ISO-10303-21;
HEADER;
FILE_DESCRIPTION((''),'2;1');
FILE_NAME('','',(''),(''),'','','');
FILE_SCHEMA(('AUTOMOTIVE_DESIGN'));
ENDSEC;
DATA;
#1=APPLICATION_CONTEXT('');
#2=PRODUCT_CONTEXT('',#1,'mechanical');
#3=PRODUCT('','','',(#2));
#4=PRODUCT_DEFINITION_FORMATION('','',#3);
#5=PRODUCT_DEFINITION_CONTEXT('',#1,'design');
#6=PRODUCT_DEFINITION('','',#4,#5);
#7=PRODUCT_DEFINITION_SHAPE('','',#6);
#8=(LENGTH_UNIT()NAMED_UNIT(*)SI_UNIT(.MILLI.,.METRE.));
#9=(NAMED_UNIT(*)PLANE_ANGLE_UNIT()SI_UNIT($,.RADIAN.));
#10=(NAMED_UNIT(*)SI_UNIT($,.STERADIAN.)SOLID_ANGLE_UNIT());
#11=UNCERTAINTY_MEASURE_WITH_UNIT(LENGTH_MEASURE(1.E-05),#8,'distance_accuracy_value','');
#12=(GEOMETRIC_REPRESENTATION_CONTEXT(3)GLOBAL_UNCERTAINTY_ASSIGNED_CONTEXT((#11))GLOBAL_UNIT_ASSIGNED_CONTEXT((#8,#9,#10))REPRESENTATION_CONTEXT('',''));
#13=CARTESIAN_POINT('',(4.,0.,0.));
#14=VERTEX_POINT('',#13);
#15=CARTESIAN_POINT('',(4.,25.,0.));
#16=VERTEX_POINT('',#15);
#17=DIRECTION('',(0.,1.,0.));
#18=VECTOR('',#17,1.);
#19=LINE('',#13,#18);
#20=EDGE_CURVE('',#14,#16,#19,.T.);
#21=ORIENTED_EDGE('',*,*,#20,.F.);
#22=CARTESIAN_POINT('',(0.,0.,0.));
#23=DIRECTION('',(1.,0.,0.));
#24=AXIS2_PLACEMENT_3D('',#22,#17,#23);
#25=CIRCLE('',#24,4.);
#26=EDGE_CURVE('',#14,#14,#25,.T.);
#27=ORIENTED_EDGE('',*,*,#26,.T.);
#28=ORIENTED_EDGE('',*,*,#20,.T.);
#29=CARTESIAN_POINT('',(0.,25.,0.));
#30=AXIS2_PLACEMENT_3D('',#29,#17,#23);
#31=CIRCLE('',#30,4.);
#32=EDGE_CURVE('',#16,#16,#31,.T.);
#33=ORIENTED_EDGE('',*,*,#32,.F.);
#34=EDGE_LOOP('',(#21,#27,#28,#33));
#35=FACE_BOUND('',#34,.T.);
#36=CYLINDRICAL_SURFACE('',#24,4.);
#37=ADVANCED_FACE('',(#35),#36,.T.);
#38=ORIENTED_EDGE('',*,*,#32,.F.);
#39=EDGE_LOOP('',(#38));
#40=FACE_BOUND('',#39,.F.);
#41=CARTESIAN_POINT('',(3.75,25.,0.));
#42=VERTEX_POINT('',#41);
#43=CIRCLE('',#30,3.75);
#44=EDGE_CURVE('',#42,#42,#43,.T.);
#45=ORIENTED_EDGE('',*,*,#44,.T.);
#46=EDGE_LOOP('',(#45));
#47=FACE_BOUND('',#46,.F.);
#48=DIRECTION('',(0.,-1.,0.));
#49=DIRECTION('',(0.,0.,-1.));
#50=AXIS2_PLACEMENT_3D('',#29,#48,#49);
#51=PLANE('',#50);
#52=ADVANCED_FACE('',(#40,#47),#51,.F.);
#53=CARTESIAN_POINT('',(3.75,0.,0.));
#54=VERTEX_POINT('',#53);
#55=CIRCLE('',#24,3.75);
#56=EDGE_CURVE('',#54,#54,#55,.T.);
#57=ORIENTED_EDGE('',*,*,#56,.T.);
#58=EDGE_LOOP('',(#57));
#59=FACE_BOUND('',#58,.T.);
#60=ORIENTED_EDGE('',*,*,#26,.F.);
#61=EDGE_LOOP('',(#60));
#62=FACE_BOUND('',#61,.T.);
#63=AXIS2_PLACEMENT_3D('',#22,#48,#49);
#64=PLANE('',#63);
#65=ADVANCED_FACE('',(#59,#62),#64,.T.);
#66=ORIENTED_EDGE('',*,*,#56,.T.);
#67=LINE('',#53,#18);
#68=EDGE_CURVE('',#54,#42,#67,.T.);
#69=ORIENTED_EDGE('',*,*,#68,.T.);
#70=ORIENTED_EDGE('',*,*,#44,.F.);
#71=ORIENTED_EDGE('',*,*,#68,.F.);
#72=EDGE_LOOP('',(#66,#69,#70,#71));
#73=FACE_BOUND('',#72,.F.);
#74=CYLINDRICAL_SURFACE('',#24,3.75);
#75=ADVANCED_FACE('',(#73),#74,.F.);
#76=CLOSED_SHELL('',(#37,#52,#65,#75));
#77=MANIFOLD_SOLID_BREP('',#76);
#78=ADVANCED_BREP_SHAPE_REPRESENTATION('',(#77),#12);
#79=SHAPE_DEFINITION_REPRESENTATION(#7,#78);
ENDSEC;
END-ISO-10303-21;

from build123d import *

# Parameters (mm, degrees)
F0_R   = 4
F0_R_2 = 3.75


with BuildPart() as f2:
    # F2: sweep along a path in F1
    with BuildLine(Plane.XY) as f2_path:
        Line((0, 0), (0, 25))
    # F0 (on Front) → F2 (sweep)
    with BuildSketch(Plane.XZ):
        Circle(F0_R)
        Circle(F0_R_2, mode=Mode.SUBTRACT)
    sweep(path=f2_path.line)


solid = f2.part
